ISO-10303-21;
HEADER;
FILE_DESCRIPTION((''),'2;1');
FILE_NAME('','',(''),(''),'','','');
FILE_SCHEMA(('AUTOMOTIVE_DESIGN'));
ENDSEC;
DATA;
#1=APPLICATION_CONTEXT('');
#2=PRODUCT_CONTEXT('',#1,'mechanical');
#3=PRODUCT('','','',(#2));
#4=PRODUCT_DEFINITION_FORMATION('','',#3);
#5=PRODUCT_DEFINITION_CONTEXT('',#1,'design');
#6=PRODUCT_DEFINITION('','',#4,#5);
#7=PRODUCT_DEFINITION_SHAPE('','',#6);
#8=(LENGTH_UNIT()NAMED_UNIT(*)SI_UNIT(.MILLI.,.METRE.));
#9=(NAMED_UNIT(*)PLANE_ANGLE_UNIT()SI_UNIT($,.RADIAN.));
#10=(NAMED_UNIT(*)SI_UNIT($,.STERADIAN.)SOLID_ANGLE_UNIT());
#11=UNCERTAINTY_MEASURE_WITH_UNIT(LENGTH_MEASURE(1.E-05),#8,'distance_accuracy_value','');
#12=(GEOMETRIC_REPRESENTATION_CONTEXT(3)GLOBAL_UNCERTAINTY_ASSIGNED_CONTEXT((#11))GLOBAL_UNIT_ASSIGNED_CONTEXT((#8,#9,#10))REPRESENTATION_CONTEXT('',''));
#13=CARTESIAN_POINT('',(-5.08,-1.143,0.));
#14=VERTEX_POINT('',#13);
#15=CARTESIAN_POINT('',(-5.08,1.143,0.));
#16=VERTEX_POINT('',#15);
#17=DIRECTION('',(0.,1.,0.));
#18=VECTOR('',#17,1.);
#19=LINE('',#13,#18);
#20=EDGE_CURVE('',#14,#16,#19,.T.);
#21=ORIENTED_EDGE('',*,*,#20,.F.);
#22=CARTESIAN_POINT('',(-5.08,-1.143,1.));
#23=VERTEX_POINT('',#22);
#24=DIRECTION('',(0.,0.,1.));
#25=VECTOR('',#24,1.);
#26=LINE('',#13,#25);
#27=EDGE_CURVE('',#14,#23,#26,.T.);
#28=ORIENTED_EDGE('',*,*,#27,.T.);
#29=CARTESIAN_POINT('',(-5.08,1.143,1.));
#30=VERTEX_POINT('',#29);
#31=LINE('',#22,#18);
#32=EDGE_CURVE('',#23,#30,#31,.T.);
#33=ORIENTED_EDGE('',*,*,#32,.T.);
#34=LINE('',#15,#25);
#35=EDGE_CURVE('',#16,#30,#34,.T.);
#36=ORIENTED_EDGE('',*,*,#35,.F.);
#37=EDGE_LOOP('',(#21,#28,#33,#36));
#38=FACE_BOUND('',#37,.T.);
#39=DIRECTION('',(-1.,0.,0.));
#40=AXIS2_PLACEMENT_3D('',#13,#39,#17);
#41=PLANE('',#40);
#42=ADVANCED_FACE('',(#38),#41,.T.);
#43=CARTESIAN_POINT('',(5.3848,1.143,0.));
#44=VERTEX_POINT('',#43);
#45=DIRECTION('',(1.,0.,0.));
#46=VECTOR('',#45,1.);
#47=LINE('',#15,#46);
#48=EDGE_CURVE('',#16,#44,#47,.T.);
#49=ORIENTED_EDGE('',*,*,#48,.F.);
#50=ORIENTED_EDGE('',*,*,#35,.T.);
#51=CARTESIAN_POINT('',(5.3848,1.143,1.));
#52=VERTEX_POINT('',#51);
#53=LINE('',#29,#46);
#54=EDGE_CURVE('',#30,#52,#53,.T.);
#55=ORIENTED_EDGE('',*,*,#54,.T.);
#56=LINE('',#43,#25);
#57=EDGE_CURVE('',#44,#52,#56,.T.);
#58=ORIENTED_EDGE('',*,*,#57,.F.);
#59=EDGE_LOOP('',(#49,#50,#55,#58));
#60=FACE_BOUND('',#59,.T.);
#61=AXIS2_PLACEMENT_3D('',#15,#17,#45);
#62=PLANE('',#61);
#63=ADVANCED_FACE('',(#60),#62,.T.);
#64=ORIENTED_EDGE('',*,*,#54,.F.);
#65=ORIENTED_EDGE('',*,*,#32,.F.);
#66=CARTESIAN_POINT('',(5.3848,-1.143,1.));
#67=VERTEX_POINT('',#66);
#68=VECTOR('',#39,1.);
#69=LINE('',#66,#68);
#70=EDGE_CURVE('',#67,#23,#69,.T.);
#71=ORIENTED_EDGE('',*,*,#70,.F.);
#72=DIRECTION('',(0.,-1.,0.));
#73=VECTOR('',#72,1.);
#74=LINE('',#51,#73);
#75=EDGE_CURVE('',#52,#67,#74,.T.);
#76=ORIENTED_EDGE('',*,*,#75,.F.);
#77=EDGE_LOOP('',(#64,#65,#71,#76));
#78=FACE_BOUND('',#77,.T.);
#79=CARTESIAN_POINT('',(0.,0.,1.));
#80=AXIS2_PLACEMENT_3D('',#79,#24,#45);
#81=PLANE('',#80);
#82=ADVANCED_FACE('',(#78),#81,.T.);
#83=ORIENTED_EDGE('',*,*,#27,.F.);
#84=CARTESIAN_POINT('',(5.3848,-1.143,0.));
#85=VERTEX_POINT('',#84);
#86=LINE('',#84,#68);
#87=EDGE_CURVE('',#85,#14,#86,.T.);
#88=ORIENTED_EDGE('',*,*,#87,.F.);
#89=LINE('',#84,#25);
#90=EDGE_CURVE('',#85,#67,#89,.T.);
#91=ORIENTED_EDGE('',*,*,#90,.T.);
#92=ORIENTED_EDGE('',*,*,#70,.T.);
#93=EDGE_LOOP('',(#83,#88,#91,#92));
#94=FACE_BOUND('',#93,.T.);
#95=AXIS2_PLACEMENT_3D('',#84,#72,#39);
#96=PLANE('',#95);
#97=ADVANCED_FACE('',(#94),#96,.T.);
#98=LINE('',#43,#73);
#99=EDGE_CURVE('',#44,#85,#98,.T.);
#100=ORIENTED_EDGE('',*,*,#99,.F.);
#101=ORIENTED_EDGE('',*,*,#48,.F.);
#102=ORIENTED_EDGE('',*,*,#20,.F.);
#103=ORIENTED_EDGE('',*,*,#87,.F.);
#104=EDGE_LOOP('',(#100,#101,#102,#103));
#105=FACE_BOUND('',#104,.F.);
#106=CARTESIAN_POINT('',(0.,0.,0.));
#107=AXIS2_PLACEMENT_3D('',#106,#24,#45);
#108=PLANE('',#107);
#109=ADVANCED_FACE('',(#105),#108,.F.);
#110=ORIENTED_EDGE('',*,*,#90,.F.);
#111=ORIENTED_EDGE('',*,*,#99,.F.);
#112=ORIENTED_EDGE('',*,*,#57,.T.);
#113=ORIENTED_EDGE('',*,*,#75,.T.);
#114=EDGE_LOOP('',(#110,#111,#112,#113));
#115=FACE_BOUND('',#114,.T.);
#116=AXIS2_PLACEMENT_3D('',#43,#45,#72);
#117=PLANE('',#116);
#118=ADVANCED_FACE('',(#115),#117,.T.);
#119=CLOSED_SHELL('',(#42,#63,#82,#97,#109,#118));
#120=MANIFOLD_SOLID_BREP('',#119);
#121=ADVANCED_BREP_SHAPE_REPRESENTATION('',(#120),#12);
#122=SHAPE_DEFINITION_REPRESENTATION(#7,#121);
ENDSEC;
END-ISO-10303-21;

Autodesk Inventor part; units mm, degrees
ref_plane "YZ Plane" through (0, 0, 0) normal (1, 0, 0) x (0, 1, 0)
ref_plane "XZ Plane" through (0, 0, 0) normal (0, 1, 0) x (-1, 0, 0)
ref_plane "XY Plane" through (0, 0, 0) normal (0, 0, 1) x (1, 0, 0)
sketch "0207_10, 0207_10_70" plane through (0, 0, 0) normal (0, 0, 1) x (1, 0, 0)
  line L0 (-5.08, 1.143) -> (5.3848, 1.143)
  line L1 (5.3848, 1.143) -> (5.3848, -1.143)
  line L2 (5.3848, -1.143) -> (-5.08, -1.143)
  line L3 (-5.08, -1.143) -> (-5.08, 1.143)
extrude "Extrusion1" add sketch "0207_10, 0207_10_70" along normal blind 1
properties part number "0207_10"
